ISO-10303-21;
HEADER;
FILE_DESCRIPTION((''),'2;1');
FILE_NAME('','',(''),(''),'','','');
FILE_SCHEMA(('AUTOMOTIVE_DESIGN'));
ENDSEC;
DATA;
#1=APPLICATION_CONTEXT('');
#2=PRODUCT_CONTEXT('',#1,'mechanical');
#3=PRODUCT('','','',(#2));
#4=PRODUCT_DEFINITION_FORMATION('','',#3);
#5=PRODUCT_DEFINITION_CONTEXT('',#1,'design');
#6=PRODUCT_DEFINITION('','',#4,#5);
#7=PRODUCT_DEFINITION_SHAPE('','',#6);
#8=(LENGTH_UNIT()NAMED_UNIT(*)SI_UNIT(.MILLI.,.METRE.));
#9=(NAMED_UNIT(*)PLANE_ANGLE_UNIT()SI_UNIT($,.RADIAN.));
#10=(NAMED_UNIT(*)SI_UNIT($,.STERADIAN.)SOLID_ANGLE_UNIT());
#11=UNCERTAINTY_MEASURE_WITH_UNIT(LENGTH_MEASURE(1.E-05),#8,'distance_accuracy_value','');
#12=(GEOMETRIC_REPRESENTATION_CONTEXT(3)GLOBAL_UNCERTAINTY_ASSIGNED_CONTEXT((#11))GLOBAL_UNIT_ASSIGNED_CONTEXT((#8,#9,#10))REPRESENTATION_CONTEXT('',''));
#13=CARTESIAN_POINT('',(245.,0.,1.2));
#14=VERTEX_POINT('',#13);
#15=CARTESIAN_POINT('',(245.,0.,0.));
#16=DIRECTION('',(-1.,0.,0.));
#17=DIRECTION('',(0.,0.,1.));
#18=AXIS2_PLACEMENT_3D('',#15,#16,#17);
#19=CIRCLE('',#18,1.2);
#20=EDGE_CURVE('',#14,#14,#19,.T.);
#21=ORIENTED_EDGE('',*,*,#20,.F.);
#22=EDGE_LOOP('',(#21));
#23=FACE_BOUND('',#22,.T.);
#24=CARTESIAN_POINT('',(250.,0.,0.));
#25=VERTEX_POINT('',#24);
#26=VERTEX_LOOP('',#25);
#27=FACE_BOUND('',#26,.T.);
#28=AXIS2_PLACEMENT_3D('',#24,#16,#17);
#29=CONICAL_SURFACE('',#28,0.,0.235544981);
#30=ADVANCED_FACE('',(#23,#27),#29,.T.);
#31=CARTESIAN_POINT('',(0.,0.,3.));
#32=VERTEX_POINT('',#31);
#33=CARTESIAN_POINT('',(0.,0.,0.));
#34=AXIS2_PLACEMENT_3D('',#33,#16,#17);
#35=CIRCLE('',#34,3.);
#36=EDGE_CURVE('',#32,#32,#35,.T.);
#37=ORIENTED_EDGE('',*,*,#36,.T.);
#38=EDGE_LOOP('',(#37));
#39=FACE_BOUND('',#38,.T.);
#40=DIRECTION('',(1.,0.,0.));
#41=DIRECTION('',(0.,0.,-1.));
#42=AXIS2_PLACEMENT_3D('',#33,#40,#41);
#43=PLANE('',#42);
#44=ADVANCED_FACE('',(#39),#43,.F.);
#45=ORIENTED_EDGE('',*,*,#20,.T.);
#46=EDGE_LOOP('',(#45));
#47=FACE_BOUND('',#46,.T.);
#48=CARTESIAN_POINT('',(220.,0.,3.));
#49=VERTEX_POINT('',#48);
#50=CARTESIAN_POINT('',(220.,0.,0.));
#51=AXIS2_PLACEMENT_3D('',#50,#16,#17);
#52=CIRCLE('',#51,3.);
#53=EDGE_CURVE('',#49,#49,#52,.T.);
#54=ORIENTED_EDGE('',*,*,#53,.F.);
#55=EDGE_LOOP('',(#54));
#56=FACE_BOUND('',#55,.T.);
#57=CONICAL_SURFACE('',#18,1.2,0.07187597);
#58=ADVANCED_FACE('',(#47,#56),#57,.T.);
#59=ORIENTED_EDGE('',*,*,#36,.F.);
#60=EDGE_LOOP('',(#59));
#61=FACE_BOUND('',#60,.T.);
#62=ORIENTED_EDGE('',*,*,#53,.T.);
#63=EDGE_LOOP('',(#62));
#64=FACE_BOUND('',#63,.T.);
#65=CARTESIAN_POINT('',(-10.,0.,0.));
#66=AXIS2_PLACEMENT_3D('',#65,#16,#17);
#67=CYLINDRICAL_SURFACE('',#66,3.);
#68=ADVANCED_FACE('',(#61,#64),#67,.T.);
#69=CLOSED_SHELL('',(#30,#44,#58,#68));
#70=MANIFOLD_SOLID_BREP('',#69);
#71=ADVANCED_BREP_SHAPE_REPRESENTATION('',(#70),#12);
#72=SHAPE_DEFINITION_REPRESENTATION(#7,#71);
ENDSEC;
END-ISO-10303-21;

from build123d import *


with BuildPart() as part:
    # Sketch1 → Revolve1 (revolve)
    with BuildSketch(Plane.XY, mode=Mode.PRIVATE) as revolve1_sk:
        Polygon((0, 0), (0, 3), (220, 3), (245, 1.2), (250, 0), align=None)
    revolve(revolve1_sk.sketch.rotate(Axis((-10, 0, 0), (1, 0, 0)), 90), axis=Axis((-10, 0, 0), (1, 0, 0)))


solid = part.part
